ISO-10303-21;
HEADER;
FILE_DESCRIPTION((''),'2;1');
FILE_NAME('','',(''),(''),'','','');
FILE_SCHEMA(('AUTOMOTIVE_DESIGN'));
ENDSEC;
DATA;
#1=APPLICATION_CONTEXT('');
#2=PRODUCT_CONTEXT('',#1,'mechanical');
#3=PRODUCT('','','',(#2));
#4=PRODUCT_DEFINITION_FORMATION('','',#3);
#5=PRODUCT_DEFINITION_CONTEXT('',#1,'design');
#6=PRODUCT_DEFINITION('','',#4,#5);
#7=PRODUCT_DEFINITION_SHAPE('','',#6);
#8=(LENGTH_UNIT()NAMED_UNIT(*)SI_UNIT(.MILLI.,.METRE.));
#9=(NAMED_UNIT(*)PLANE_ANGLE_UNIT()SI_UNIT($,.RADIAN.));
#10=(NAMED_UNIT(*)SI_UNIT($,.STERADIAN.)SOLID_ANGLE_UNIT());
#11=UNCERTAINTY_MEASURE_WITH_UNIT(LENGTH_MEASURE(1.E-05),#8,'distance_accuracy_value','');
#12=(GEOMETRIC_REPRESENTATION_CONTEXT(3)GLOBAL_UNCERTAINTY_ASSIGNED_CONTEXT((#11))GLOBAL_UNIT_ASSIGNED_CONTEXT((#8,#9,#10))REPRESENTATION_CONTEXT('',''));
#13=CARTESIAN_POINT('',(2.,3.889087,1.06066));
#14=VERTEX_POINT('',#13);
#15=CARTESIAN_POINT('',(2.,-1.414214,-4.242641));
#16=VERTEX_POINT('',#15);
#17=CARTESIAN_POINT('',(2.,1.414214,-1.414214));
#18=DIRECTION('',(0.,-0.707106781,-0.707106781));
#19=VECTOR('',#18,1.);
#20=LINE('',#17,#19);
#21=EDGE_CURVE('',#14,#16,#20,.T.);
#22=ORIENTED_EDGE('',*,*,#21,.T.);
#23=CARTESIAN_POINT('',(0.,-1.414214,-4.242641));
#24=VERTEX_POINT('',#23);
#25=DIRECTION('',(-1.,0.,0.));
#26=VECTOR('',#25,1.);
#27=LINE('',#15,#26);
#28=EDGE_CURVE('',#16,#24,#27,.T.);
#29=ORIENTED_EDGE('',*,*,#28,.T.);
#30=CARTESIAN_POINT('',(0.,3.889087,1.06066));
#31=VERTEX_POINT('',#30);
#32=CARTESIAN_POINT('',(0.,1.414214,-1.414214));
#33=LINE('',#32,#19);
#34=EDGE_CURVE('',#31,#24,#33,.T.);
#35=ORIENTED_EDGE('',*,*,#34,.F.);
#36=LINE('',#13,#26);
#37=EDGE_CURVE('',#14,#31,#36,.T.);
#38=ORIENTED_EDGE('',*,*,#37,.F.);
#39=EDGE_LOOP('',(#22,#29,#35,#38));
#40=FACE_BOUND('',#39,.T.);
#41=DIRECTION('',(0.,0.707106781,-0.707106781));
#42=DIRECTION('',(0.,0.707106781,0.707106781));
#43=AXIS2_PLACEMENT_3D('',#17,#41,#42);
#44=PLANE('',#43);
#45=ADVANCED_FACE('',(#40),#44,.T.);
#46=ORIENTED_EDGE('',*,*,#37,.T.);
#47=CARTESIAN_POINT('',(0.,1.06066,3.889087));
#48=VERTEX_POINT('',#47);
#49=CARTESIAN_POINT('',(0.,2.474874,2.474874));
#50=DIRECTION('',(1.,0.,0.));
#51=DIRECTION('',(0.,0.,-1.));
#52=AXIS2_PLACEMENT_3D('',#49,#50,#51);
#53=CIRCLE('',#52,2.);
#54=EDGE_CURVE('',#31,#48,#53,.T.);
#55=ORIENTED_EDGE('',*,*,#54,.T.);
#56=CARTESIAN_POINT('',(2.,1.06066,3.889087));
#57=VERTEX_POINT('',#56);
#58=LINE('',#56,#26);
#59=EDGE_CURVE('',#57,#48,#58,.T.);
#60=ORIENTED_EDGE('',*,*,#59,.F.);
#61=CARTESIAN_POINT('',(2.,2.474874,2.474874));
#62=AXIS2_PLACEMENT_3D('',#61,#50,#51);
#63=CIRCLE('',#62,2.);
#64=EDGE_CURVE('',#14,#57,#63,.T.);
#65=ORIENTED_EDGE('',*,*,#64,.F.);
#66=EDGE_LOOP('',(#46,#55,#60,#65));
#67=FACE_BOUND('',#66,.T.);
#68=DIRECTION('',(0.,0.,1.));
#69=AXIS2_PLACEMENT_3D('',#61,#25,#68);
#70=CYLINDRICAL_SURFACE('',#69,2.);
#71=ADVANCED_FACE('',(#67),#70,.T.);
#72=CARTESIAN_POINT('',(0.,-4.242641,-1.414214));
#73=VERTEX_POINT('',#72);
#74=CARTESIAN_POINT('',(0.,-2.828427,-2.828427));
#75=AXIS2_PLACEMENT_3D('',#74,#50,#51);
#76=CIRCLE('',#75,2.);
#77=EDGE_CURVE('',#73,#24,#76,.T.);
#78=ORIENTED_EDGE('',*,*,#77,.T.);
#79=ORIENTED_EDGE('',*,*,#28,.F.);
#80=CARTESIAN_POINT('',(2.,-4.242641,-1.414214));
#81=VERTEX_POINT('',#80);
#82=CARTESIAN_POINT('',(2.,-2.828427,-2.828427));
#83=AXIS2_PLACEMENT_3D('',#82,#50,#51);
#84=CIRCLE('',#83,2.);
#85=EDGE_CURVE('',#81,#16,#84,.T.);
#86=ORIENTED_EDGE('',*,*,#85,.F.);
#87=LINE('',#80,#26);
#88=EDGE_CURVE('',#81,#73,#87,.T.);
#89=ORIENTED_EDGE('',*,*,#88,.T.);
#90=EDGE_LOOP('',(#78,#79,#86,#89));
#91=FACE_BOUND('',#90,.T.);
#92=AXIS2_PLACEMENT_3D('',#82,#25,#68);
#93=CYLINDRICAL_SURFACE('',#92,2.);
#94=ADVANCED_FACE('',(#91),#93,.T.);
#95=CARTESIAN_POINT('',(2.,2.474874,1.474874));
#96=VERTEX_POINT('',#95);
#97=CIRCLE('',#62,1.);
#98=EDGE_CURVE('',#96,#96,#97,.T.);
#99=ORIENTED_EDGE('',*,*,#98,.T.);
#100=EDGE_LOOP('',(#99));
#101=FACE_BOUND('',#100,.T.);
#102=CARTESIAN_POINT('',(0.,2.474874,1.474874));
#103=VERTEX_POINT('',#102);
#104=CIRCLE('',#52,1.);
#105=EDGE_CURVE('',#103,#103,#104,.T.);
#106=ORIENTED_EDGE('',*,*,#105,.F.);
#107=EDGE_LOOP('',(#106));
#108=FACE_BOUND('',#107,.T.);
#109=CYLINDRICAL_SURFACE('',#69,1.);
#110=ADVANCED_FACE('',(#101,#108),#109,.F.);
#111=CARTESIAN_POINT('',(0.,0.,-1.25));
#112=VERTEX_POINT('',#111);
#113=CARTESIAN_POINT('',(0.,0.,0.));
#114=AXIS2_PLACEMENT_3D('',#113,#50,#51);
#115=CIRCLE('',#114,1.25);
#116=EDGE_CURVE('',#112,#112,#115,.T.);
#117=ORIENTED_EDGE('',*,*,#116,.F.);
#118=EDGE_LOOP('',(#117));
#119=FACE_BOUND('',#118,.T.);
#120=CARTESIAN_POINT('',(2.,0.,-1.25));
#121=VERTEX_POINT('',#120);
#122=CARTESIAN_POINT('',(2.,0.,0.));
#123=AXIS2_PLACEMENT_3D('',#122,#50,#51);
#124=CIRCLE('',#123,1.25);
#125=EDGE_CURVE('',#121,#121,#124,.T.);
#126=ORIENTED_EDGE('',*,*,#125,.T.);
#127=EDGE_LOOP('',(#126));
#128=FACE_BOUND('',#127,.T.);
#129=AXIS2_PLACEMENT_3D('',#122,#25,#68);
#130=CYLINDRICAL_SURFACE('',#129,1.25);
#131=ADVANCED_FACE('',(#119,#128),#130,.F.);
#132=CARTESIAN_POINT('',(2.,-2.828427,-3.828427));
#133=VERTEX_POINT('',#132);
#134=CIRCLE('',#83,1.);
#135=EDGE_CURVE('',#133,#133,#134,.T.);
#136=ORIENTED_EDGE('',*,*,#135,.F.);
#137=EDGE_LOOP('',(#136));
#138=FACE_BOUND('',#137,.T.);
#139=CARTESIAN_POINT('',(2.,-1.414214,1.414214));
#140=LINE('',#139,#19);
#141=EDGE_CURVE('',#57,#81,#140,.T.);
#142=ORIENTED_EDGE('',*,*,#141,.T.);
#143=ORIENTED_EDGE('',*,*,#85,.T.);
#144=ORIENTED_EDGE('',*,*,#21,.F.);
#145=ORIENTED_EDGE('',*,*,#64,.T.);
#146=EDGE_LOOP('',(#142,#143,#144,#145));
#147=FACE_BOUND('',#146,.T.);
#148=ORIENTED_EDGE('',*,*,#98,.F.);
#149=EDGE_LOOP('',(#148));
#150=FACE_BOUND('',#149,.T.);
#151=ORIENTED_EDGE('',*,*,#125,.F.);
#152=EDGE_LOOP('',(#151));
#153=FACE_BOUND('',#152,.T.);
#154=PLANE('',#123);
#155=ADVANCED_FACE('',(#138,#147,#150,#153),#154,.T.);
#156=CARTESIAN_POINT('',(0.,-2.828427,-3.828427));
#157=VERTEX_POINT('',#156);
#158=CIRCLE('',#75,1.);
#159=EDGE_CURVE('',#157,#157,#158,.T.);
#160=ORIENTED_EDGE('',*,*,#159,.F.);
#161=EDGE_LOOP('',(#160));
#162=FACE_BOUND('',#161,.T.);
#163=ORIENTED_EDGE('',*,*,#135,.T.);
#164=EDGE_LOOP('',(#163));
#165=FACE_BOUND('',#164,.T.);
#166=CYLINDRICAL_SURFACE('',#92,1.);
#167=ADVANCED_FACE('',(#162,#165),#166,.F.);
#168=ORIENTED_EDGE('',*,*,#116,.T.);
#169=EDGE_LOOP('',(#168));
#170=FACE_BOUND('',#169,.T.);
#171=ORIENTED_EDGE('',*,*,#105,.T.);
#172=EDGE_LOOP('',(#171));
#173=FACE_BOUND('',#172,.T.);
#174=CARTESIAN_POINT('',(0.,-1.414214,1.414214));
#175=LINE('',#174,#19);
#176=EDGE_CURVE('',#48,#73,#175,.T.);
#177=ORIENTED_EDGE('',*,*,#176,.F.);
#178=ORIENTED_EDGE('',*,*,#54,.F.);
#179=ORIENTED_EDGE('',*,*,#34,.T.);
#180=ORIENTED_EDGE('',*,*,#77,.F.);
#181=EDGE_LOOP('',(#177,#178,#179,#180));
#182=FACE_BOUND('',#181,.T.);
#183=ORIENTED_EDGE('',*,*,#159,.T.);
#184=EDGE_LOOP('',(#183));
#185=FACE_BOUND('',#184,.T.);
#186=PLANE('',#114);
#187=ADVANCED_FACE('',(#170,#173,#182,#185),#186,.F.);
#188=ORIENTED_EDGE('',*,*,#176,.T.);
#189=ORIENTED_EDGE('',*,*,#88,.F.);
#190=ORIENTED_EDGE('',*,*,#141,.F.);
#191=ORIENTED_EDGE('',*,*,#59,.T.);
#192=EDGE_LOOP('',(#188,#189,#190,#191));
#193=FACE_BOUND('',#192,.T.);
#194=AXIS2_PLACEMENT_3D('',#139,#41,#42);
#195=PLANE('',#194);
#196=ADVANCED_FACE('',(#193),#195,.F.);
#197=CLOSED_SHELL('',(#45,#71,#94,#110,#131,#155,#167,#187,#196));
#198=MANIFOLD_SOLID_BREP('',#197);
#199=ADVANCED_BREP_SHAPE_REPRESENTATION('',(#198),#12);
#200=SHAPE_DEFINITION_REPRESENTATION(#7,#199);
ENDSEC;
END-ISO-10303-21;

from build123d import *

# Parameters (mm, degrees)
SKETCH1_R           = 1
SKETCH1_R_2         = 1.25
BOSS_EXTRUDE1_DEPTH = 2


with BuildPart() as part:
    # Sketch1 → Boss-Extrude1 (new body)
    with BuildSketch(Plane(origin=(0, 0, 0), x_dir=(0, 0, -1), z_dir=(1, 0, 0))):
        with BuildLine():
            ThreePointArc((-1.060660172, 3.889087297), (-3.889087297, 3.889087297), (-3.889087297, 1.060660172))
            Line((-3.889087297, 1.060660172), (1.414213562, -4.242640687))
            ThreePointArc((1.414213562, -4.242640687), (4.242640687, -4.242640687), (4.242640687, -1.414213562))
            Line((4.242640687, -1.414213562), (-1.060660172, 3.889087297))
        make_face()
        with Locations((2.828427125, -2.828427125)):
            Circle(SKETCH1_R, mode=Mode.SUBTRACT)
        Circle(SKETCH1_R_2, mode=Mode.SUBTRACT)
        with Locations((-2.474873734, 2.474873734)):
            Circle(SKETCH1_R, mode=Mode.SUBTRACT)
    extrude(amount=BOSS_EXTRUDE1_DEPTH)


solid = part.part
